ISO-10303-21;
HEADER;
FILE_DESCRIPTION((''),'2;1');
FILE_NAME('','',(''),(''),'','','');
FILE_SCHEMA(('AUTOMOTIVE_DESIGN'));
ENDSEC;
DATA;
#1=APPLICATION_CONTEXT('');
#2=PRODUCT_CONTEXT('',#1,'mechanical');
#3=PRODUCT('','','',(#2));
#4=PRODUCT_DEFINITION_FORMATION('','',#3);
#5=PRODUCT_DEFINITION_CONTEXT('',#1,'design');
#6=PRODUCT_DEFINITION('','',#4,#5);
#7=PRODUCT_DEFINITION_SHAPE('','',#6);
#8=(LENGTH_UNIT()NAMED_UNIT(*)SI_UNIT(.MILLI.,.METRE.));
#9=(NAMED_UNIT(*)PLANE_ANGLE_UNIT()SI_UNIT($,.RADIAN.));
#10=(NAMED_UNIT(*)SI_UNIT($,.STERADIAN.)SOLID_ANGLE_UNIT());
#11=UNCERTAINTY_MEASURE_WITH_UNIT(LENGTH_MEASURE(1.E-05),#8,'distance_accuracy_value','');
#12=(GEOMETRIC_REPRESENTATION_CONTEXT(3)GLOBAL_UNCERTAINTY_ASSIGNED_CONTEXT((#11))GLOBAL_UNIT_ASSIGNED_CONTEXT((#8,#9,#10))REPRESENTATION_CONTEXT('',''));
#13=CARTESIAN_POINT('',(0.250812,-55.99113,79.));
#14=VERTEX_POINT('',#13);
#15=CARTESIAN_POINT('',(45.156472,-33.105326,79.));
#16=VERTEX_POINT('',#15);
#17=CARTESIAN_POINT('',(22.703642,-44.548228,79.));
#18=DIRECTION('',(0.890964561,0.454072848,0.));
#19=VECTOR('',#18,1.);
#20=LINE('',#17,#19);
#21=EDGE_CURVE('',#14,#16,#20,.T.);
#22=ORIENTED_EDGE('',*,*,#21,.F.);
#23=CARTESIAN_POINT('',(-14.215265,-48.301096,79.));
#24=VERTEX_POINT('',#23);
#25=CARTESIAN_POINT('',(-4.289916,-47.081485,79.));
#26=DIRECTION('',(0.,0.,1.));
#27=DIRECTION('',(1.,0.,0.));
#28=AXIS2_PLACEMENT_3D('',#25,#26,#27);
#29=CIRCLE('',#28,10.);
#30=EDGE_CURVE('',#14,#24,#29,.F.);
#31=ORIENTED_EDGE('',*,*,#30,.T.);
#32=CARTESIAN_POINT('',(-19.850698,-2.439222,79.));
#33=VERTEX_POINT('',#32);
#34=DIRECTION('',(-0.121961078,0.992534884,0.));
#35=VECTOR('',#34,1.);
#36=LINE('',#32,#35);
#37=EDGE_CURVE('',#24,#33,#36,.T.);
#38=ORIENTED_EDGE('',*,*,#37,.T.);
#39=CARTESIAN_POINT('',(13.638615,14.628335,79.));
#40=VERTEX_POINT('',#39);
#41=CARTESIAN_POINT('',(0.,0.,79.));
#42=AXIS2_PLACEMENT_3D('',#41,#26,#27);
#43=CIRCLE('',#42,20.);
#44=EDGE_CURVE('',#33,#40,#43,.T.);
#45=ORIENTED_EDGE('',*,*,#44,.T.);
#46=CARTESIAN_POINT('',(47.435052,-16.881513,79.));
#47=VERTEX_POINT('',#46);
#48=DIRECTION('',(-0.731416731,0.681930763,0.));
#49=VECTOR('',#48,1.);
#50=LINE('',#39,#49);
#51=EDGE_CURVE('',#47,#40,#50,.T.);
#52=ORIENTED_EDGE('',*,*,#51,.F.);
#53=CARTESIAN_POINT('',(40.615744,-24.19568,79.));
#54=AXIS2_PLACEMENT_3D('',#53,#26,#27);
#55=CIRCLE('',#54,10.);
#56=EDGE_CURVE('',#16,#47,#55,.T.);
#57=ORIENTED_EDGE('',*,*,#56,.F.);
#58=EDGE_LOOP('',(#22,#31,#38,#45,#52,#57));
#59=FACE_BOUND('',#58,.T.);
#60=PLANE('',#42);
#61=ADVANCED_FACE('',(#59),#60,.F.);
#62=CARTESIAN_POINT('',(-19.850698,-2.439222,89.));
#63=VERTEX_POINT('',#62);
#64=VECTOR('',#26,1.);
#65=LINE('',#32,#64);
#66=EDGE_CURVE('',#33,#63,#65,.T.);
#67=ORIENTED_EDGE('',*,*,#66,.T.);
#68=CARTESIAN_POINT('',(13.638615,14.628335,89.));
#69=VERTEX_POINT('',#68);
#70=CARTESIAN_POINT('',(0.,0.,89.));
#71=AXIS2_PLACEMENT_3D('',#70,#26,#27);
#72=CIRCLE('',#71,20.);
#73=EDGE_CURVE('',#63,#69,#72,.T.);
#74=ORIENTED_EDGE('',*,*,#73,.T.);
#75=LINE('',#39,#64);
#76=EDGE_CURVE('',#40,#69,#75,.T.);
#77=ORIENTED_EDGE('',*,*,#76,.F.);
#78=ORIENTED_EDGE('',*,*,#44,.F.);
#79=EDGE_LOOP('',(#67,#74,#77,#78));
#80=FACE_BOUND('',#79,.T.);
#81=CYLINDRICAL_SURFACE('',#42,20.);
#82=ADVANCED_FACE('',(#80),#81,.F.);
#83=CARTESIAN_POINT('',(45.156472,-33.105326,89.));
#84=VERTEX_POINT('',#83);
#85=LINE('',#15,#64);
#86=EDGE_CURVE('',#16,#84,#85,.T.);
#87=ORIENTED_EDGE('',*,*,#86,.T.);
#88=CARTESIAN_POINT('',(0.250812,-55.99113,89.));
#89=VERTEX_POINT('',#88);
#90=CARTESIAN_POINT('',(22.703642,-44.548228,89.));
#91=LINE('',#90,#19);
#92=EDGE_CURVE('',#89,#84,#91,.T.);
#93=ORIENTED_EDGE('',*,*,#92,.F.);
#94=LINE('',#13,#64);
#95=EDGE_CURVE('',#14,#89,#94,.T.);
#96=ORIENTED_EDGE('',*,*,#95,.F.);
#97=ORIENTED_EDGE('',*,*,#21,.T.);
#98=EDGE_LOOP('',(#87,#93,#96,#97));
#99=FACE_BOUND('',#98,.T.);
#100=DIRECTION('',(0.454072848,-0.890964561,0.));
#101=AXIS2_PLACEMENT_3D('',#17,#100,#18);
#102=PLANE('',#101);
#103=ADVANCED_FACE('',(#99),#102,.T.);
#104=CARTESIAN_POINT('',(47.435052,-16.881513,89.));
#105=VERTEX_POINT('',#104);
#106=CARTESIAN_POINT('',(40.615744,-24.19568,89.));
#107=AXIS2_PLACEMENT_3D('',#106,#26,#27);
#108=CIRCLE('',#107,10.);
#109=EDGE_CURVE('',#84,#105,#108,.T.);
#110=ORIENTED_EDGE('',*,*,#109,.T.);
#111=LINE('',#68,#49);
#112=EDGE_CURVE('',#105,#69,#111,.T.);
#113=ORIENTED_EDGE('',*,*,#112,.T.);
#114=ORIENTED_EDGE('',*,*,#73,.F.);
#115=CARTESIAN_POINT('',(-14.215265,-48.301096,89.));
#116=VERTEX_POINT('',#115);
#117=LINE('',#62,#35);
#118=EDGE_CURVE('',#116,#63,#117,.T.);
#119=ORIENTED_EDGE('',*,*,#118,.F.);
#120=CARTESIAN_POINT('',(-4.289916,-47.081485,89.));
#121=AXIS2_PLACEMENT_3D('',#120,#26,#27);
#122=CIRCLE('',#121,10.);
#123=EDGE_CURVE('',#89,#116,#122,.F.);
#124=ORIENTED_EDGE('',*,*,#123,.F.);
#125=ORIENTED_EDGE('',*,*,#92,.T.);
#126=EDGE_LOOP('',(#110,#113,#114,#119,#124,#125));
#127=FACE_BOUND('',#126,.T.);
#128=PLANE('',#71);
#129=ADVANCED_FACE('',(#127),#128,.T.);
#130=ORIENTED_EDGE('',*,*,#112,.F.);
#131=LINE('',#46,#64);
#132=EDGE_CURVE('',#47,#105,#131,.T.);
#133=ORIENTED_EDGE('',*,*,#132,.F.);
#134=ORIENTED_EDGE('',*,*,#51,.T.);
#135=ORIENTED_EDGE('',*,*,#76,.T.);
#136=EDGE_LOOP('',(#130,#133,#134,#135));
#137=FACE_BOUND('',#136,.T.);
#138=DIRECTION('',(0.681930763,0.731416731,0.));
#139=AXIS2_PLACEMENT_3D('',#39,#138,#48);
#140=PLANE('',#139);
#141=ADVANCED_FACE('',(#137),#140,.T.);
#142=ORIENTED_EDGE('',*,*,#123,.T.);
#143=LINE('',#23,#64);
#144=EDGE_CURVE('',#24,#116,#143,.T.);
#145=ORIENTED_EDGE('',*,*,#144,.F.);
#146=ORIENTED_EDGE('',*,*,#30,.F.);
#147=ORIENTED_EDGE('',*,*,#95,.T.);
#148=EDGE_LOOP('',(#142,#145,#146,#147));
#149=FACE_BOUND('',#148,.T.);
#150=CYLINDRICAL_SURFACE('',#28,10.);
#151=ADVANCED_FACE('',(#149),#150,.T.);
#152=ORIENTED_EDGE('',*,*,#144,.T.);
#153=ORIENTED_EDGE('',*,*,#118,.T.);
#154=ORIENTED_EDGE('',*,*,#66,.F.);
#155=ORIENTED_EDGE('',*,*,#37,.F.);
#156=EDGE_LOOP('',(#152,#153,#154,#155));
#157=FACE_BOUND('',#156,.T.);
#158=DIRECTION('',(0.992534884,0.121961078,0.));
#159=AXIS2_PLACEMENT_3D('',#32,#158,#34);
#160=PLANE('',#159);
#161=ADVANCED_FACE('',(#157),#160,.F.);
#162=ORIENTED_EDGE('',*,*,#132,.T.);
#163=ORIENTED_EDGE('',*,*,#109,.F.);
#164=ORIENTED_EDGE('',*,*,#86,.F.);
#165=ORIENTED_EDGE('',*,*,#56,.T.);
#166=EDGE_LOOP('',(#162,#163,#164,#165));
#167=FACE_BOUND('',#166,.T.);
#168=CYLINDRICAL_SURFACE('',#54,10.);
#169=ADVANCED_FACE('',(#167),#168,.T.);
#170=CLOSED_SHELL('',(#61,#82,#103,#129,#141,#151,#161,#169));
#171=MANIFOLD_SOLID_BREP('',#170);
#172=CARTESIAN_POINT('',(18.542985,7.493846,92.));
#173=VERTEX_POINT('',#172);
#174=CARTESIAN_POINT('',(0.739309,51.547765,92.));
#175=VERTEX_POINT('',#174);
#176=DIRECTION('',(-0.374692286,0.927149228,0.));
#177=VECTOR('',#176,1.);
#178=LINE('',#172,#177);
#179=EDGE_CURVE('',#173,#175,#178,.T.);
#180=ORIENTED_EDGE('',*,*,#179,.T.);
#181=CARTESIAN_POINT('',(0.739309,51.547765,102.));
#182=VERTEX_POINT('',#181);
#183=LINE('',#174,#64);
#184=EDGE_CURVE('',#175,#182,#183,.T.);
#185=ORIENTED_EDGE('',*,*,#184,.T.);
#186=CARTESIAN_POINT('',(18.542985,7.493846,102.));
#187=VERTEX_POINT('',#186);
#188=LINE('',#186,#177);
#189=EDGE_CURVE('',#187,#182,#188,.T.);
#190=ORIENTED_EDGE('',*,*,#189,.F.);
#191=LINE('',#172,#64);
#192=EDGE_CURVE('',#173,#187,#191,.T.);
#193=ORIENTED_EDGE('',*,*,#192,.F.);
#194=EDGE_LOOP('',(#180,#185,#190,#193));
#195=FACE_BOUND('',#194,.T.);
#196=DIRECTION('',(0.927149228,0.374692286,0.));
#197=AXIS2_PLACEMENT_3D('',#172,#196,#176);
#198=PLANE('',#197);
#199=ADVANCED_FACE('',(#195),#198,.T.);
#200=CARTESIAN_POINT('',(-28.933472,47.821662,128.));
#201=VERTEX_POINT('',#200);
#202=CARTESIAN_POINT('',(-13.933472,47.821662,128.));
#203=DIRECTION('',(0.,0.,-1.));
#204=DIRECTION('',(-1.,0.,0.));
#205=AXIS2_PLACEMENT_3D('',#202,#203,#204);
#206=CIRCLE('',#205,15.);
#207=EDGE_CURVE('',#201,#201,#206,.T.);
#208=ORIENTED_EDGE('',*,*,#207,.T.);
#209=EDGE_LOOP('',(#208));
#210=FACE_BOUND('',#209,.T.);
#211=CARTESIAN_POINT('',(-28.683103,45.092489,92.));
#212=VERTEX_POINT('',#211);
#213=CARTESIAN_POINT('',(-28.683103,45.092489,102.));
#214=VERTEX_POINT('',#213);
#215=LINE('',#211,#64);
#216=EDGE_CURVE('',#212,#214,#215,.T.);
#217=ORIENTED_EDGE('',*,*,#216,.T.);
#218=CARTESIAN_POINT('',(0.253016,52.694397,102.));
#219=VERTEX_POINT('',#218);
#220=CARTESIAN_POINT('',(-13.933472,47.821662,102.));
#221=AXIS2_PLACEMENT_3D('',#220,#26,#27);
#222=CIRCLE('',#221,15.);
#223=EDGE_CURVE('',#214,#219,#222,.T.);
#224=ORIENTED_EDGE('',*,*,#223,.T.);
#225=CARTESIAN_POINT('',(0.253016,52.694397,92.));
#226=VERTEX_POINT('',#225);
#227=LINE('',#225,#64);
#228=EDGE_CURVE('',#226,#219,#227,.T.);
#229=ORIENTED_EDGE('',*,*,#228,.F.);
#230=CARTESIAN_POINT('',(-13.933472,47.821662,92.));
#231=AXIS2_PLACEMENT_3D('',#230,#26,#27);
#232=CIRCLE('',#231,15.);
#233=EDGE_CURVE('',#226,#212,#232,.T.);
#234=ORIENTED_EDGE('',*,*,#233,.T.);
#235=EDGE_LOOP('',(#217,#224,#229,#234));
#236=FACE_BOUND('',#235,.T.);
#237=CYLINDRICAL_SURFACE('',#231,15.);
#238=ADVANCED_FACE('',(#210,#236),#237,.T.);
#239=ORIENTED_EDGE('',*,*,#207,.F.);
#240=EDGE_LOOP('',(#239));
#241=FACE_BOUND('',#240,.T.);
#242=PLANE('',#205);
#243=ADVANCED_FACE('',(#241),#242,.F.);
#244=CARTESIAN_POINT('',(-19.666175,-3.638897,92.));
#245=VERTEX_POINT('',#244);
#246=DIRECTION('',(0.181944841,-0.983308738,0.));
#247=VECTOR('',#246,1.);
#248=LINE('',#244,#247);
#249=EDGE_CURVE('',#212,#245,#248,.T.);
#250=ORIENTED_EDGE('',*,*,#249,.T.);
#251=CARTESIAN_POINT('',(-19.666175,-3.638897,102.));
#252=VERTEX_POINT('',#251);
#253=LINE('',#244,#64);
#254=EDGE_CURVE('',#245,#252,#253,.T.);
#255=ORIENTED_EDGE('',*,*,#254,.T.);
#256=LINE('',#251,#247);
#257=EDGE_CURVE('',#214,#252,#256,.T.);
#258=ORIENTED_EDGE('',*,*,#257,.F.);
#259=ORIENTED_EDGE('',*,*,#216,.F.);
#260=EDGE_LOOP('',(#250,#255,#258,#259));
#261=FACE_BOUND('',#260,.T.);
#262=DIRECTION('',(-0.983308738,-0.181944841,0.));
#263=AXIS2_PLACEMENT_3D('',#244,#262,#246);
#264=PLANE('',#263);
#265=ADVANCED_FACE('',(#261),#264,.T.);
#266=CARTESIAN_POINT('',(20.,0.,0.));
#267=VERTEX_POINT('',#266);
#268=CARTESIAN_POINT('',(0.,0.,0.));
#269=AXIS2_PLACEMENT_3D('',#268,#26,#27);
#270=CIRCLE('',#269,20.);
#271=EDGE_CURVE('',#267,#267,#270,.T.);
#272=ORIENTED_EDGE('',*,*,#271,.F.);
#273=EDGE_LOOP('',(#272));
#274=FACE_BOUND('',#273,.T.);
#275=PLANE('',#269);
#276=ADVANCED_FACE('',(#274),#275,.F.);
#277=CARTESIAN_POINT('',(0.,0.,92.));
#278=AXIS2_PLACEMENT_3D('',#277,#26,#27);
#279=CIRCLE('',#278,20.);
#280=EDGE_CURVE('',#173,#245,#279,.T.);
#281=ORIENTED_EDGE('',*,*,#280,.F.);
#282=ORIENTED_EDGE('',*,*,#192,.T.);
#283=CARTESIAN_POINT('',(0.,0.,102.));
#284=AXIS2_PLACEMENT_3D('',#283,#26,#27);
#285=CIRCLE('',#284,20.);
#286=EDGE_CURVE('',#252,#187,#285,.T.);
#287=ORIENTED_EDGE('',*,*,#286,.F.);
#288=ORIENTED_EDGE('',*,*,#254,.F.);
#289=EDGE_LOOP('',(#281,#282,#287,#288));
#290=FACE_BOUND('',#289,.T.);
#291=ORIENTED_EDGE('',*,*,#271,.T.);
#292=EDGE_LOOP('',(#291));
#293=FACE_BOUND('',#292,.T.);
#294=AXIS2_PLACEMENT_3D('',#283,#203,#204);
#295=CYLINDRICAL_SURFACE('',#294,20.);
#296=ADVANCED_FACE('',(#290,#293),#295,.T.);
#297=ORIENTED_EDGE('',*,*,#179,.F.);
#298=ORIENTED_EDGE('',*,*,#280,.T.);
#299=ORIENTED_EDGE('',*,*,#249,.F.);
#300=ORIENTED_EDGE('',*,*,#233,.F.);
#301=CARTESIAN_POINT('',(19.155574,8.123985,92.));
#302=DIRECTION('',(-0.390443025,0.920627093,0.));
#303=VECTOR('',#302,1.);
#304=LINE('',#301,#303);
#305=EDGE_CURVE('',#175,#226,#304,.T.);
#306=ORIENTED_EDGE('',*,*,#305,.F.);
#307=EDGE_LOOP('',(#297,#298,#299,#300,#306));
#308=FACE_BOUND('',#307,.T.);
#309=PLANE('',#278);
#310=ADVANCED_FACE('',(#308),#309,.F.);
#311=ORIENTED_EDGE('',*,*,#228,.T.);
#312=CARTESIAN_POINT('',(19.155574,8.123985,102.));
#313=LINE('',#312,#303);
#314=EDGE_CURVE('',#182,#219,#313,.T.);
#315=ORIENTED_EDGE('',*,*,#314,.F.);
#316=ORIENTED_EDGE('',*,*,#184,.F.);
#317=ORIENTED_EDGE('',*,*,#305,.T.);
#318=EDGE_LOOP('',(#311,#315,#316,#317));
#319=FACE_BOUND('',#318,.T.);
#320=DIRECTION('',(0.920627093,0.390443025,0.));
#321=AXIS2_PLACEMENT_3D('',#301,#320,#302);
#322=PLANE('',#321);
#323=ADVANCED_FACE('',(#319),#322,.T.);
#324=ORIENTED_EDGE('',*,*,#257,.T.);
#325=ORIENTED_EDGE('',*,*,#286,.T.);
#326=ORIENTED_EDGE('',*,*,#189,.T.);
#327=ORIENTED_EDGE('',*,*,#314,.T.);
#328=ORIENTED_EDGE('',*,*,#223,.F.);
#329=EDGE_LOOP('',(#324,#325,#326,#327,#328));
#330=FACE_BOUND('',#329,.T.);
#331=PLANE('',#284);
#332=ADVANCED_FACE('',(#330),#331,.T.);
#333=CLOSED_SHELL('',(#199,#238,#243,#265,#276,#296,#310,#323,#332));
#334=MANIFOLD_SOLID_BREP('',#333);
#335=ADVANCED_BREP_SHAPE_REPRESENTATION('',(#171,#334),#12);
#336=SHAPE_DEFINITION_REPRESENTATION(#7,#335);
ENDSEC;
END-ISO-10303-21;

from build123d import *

# Parameters (mm, degrees)
SKETCH1_R           = 20
BOSS_EXTRUDE1_DEPTH = 102
BOSS_EXTRUDE2_START = -10
BOSS_EXTRUDE2_DEPTH = 10
BOSS_EXTRUDE3_START = -10
SKETCH3_R           = 20
BOSS_EXTRUDE3_DEPTH = 10
SKETCH4_R           = 15
BOSS_EXTRUDE4_DEPTH = 36


with BuildPart() as part:
    # Sketch1 → Boss-Extrude1 (new body)
    with BuildSketch(Plane.XY):
        Circle(SKETCH1_R)
    extrude(amount=BOSS_EXTRUDE1_DEPTH)

    # Sketch3 → Boss-Extrude3 (add)
    with BuildSketch(Plane.XY.offset(102).offset(BOSS_EXTRUDE3_START)):
        with BuildLine():
            ThreePointArc((-19.666174765, -3.638896824), (-5.594629402, 19.20156561), (18.542984562, 7.49384571))
            Line((18.542984562, 7.49384571), (0.739309321, 51.54776514))
            Line((0.739309321, 51.54776514), (0.253016385, 52.694397104))
            ThreePointArc((0.253016385, 52.694397104), (-17.744840944, 62.329365212), (-28.683102916, 45.092488931))
            Line((-28.683102916, 45.092488931), (-19.666174765, -3.638896824))
        make_face()
        with Locations(Location((0, 0, 0), (0, 0, 190.483061842))):
            Circle(SKETCH3_R)
    extrude(amount=BOSS_EXTRUDE3_DEPTH)

    # Sketch4 → Boss-Extrude4 (add)
    with BuildSketch(Plane(origin=(0, 0, 92), x_dir=(-1, 0, 0), z_dir=(0, 0, -1))):
        with Locations(Location((13.933471842, 47.821661549, 0), (0, 0, 161.043570809))):
            Circle(SKETCH4_R)
    extrude(amount=-BOSS_EXTRUDE4_DEPTH)


with BuildPart() as body_2:
    # Sketch2 → Boss-Extrude2 (new body)
    with BuildSketch(Plane.XY.offset(89).offset(BOSS_EXTRUDE2_START)):
        with BuildLine():
            Line((-19.850697676, -2.439221552), (-14.21526494, -48.301095563))
            ThreePointArc((-14.21526494, -48.301095563), (-8.983815658, -55.911394581), (0.250812376, -55.991130397))
            Line((0.250812376, -55.991130397), (45.15647241, -33.105325697))
            ThreePointArc((45.15647241, -33.105325697), (50.518553205, -25.586495849), (47.435051559, -16.881512775))
            Line((47.435051559, -16.881512775), (13.638615256, 14.628334625))
            ThreePointArc((13.638615256, 14.628334625), (18.34083293, 7.97582895), (20, 0))
            ThreePointArc((20, 0), (1.221893302, -19.962639524), (-19.850697676, -2.439221552))
        make_face()
    extrude(amount=BOSS_EXTRUDE2_DEPTH)


solid = Compound([part.part, body_2.part])
